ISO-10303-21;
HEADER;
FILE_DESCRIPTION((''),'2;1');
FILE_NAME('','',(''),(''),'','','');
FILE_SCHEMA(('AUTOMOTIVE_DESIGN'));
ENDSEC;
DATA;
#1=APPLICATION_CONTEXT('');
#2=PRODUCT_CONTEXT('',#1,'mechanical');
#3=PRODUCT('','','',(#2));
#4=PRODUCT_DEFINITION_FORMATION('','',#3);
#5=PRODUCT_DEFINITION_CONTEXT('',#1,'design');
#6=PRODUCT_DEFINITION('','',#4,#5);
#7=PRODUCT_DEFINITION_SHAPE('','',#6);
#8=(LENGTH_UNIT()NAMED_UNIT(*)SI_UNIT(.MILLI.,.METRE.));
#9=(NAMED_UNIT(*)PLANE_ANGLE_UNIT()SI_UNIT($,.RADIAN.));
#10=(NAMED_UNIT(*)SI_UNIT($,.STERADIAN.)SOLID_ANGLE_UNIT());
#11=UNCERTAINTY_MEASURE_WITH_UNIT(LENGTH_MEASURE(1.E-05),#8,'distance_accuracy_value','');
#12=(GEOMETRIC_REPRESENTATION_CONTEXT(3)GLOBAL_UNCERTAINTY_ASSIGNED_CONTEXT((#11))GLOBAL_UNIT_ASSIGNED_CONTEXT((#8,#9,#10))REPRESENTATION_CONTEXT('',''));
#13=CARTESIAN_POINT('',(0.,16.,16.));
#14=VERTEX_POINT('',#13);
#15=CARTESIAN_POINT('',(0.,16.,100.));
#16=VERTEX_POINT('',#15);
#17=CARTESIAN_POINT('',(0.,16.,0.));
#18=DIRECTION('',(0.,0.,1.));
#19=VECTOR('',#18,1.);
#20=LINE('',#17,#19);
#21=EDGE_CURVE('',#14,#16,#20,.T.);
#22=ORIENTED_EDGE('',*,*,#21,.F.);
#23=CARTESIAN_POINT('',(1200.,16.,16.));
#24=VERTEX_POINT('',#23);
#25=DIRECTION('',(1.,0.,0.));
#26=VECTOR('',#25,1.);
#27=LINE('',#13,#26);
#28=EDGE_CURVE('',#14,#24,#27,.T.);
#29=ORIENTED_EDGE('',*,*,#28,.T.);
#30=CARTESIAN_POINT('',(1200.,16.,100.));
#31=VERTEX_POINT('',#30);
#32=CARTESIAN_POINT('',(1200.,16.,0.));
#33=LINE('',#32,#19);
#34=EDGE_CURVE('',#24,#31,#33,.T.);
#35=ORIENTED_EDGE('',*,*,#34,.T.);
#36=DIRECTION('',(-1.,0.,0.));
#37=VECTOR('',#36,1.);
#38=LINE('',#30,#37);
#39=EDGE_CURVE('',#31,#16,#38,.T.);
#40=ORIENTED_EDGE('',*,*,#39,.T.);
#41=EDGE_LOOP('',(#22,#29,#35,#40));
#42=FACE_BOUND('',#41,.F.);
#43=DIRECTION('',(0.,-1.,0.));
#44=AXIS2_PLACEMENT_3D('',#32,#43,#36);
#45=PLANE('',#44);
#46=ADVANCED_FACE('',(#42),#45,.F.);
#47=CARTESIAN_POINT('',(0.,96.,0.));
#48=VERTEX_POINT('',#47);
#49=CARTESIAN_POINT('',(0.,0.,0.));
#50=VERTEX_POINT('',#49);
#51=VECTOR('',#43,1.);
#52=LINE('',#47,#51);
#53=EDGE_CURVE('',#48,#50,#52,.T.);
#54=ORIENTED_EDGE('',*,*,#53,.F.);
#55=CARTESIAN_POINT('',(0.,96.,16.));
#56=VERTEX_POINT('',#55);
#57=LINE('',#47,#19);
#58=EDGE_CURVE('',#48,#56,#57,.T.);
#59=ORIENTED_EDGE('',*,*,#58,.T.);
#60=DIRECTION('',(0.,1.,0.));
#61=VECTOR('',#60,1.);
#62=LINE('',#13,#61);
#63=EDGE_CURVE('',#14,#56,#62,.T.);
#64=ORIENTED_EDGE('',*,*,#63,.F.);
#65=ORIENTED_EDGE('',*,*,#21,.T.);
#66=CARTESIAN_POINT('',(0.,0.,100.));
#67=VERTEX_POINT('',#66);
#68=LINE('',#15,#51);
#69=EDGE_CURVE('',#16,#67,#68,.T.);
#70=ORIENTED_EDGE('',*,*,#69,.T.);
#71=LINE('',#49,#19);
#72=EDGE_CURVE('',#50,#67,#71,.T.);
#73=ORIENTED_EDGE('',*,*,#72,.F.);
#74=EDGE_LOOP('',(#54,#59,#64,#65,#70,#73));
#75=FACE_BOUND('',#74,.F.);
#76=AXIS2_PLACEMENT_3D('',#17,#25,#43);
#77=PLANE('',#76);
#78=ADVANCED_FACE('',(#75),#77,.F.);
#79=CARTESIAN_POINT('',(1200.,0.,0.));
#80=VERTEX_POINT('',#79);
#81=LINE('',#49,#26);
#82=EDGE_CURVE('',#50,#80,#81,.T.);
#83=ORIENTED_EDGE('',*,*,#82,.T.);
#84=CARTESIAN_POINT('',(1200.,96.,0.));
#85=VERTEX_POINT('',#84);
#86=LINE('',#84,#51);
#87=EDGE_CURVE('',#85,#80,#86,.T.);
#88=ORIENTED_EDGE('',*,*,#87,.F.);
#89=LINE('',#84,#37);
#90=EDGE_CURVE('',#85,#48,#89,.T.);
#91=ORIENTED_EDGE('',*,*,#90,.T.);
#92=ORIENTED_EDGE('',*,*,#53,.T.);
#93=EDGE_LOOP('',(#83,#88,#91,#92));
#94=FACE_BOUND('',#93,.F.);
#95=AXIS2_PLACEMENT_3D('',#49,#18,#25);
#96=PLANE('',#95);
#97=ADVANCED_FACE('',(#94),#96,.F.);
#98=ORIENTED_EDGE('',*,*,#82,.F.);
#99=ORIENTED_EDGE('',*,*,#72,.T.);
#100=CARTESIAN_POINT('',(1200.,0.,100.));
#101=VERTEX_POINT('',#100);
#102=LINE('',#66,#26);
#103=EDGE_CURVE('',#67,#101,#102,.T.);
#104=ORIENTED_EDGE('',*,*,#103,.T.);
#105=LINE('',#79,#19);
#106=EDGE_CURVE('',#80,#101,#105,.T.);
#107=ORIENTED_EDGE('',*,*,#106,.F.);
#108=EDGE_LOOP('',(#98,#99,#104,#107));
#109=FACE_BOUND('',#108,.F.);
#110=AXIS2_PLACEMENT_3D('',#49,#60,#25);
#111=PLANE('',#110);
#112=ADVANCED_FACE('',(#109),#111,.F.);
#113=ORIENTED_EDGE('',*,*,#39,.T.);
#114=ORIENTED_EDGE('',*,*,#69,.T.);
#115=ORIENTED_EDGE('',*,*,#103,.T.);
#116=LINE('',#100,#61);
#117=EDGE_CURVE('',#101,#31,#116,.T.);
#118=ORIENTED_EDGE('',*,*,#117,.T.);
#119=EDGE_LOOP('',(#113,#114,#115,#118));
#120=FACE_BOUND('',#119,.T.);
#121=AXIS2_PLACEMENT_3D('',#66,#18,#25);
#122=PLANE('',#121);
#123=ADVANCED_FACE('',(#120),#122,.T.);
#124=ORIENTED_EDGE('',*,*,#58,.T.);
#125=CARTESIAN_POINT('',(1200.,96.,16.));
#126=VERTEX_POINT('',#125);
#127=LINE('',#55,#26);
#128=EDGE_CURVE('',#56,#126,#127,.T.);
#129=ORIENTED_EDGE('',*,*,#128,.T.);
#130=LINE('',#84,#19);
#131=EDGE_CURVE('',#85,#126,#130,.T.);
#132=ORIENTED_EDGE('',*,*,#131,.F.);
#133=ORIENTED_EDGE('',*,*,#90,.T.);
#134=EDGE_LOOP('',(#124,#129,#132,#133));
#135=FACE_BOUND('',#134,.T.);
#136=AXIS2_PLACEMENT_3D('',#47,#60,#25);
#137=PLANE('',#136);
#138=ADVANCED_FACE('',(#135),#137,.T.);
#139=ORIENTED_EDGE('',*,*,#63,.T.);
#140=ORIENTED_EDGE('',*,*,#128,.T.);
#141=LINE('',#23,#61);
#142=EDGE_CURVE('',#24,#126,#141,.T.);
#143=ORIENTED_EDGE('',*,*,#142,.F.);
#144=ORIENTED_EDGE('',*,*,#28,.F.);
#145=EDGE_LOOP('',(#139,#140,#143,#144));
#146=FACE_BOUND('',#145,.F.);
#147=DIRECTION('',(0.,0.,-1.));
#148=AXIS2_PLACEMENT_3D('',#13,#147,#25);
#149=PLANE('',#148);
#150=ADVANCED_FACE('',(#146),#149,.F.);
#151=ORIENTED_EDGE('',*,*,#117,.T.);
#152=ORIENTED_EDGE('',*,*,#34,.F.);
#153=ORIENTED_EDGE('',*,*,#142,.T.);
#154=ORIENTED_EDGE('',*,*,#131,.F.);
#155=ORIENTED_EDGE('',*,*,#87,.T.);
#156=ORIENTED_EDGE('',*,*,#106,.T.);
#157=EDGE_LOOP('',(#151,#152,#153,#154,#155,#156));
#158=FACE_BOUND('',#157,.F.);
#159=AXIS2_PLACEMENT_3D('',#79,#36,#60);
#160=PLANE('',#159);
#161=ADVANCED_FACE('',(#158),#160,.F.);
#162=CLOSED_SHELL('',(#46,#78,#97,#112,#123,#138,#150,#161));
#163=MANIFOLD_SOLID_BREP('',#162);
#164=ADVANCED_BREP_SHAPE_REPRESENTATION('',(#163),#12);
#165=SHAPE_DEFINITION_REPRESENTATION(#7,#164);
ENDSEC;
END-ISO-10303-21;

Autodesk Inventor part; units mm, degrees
ref_plane "YZ Plane" through (0, 0, 0) normal (1, 0, 0) x (0, 1, 0)
ref_plane "XZ Plane" through (0, 0, 0) normal (0, 1, 0) x (-1, 0, 0)
ref_plane "XY Plane" through (0, 0, 0) normal (0, 0, 1) x (1, 0, 0)
sketch "Sketch1" plane through (0, 0, 0) normal (0, 0, 1) x (1, 0, 0)
  line L0 (0, 0) -> (1200, 0)
  line L1 (1200, 0) -> (1200, 16)
  line L2 (1200, 16) -> (0, 16)
  line L3 (0, 16) -> (0, 0)
  dimension "d0" = 1200
  dimension "d1" = 16
extrude "Extrusion1" add sketch "Sketch1" along normal blind 100
sketch "Sketch2" plane through (0, 16, 0) normal (0, 1, 0) x (1, 0, 0)
  line L0 (1200, 0) -> (0, 0) projected
  line L1 (0, 0) -> (0, -100) projected
  line L2 (1200, -100) -> (0, -100) projected
  line L3 (1200, 0) -> (1200, -100) projected
  line L4 (0, 0) -> (0, -100) projected
  line L5 (1200, 0) -> (0, 0)
  line L6 (0, 0) -> (0, -16)
  line L7 (0, -16) -> (1200, -16)
  line L8 (1200, -16) -> (1200, 0)
  dimension "d4" = 16
extrude "Extrusion2" add sketch "Sketch2" along normal blind 80 contours L3 L7 L1 L0
properties part number "repisa"
